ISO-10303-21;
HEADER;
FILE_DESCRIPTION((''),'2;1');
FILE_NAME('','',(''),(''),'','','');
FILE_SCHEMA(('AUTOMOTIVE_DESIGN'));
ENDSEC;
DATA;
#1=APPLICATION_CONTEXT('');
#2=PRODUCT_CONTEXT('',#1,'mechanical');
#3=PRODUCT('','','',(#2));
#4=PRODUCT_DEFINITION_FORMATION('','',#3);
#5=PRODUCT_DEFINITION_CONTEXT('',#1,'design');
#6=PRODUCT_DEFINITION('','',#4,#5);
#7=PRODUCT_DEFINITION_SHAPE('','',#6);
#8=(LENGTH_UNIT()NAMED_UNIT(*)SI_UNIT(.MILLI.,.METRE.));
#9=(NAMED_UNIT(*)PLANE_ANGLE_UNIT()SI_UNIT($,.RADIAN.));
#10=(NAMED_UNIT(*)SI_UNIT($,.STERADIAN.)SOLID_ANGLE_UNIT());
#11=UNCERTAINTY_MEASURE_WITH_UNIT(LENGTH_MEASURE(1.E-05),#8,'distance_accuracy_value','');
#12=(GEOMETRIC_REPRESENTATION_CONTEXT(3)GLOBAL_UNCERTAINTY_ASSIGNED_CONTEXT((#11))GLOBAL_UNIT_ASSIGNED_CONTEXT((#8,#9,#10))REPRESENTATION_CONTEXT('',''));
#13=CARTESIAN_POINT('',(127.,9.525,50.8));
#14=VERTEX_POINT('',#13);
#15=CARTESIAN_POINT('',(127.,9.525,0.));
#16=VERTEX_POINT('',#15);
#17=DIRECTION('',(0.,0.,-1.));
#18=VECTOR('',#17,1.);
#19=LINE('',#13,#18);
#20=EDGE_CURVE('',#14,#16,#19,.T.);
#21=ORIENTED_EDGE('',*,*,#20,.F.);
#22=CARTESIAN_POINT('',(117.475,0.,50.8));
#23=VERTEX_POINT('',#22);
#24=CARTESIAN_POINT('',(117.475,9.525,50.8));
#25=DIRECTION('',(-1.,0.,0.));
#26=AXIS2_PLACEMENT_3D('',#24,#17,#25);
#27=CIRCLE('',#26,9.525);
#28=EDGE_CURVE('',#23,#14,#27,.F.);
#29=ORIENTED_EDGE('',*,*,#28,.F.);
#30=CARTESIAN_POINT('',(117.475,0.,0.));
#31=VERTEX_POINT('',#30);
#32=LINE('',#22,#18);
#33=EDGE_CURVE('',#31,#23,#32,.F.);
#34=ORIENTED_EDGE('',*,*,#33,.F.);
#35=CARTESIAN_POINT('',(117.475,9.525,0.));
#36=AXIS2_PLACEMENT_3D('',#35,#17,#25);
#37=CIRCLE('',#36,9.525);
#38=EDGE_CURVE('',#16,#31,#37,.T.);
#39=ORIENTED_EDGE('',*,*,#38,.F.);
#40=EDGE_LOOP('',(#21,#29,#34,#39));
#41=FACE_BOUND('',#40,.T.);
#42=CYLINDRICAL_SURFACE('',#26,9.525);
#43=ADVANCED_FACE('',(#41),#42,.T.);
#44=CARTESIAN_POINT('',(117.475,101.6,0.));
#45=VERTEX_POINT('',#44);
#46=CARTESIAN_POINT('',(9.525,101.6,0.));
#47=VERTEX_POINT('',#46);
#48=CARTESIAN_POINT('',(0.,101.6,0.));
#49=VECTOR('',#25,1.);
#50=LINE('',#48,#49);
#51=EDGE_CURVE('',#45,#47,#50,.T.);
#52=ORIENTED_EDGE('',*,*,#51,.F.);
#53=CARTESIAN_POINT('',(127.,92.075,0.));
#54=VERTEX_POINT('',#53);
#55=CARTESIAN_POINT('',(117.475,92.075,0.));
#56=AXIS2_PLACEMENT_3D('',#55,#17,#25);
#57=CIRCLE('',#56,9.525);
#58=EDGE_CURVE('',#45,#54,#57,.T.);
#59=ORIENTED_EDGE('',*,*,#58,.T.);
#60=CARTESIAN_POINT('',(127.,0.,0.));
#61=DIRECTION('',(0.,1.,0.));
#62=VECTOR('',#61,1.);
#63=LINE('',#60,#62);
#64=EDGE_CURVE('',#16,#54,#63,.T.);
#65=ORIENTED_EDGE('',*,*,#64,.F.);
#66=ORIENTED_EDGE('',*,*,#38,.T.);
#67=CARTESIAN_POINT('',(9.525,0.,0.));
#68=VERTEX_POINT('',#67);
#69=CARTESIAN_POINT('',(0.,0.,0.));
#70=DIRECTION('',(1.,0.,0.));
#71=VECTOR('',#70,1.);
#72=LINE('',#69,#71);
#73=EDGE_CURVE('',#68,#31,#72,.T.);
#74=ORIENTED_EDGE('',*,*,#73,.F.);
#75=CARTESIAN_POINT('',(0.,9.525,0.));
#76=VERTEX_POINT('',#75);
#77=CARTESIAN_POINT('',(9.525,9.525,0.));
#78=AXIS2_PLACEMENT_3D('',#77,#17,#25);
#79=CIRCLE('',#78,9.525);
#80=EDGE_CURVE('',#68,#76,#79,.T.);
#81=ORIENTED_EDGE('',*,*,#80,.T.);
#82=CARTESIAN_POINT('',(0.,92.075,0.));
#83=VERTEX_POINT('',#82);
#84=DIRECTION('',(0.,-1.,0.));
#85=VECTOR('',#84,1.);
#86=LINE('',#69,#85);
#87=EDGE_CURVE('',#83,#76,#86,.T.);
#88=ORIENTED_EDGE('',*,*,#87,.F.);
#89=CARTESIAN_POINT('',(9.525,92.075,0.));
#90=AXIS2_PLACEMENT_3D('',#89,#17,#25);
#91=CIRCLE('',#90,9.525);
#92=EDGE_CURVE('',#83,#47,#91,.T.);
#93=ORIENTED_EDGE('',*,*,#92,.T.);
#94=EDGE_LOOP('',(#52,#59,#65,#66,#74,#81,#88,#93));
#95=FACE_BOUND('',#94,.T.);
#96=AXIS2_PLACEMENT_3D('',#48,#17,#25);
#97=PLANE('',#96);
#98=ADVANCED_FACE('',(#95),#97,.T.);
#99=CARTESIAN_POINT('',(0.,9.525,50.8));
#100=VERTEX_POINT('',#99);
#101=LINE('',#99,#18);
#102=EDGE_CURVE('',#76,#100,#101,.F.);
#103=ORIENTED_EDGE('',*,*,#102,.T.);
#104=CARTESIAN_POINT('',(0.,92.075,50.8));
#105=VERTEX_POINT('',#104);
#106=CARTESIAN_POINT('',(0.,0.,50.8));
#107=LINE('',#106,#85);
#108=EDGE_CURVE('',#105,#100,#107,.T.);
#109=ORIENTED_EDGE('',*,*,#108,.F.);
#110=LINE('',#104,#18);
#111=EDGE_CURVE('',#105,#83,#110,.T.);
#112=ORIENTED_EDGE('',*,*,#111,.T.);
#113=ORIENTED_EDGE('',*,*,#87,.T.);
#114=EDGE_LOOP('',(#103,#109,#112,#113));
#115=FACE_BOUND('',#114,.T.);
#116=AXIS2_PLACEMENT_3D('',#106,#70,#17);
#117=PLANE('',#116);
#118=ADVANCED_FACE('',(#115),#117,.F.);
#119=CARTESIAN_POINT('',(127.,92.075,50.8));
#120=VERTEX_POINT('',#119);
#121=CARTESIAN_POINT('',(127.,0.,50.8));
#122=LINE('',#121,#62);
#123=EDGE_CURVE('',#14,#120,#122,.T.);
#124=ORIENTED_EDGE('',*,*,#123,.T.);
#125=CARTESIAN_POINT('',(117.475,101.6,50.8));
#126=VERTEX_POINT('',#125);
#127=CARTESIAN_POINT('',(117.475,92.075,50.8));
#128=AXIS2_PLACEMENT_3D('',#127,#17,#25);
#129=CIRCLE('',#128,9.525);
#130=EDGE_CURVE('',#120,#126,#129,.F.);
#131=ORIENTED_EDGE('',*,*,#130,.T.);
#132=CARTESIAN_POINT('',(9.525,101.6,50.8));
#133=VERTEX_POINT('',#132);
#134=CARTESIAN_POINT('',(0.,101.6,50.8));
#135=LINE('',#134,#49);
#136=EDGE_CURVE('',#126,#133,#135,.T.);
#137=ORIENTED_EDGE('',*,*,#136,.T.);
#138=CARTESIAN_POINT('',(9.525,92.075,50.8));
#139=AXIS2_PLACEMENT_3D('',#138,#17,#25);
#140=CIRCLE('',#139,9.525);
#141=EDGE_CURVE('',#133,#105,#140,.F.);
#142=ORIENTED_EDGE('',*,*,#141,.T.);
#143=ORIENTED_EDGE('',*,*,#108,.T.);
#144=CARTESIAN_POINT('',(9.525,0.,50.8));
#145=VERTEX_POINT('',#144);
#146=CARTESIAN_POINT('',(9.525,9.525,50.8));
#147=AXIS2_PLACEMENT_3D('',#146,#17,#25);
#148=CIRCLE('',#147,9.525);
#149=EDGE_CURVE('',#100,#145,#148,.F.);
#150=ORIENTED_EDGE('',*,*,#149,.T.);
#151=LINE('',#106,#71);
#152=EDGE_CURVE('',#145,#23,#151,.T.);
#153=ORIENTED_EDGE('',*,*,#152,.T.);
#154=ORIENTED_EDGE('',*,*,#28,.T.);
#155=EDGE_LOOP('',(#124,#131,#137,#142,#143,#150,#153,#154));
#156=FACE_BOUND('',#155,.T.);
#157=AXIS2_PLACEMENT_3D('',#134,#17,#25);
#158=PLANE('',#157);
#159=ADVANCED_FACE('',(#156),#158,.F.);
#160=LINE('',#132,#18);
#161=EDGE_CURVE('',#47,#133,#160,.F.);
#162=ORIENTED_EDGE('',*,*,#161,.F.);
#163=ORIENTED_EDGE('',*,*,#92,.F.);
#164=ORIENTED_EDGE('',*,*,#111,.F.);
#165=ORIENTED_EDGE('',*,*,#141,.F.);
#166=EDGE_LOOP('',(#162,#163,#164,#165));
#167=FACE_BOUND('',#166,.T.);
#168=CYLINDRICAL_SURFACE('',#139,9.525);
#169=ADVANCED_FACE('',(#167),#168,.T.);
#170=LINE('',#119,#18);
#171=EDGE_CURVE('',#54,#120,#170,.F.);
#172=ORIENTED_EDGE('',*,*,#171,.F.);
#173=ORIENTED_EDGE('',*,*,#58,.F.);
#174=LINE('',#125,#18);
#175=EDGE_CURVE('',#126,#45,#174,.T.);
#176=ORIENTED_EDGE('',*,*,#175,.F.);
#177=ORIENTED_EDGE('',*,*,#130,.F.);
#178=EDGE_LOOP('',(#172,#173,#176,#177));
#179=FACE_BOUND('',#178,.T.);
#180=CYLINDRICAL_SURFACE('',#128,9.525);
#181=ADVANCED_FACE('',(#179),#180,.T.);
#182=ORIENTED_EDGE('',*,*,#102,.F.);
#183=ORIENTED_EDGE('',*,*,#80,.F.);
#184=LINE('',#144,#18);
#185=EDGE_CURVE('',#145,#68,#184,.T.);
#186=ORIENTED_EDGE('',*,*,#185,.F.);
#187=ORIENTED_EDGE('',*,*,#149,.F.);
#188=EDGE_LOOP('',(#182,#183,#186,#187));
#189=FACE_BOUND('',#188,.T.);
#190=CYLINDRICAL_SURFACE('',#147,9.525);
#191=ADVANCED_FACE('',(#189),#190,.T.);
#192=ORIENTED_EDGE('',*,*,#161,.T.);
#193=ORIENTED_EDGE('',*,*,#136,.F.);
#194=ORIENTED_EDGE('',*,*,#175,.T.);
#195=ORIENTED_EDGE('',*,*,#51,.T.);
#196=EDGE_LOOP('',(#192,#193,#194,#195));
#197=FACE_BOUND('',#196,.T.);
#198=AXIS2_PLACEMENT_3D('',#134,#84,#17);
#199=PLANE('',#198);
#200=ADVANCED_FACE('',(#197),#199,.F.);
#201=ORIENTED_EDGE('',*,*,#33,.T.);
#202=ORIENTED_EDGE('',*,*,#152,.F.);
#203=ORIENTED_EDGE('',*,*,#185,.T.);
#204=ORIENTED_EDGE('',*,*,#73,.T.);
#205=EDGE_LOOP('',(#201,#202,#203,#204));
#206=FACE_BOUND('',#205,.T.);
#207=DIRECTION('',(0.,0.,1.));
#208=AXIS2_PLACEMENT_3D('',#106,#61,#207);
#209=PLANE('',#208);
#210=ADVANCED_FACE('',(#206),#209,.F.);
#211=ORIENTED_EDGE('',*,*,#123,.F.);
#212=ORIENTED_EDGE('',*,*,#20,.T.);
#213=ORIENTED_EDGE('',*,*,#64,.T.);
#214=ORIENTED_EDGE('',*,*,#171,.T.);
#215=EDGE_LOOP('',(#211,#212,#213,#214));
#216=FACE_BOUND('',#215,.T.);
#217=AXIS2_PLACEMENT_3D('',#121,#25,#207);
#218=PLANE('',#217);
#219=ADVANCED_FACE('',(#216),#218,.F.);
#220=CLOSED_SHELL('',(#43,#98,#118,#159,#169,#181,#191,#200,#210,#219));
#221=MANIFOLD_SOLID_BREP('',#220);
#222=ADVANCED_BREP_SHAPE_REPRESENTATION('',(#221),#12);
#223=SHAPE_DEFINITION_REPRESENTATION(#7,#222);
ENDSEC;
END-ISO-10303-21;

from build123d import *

# Parameters (mm, degrees)
SKETCH1_W      = 127
SKETCH1_H      = 101.6
EXTRUDE1_DEPTH = 50.8
FILLET1_R      = 9.525


with BuildPart() as part:
    # Sketch1 → Extrude1 (new body)
    with BuildSketch(Plane.XY):
        with Locations((63.5, 50.8)):
            Rectangle(SKETCH1_W, SKETCH1_H)
    extrude(amount=EXTRUDE1_DEPTH)

    # Fillet1
    fillet1_edges = [part.edges().sort_by_distance(p)[0] for p in [
        (0, 0, 25.4),
        (127, 0, 25.4),
        (127, 101.6, 25.4),
        (0, 101.6, 25.4),
    ]]
    fillet(fillet1_edges, radius=FILLET1_R)


solid = part.part
